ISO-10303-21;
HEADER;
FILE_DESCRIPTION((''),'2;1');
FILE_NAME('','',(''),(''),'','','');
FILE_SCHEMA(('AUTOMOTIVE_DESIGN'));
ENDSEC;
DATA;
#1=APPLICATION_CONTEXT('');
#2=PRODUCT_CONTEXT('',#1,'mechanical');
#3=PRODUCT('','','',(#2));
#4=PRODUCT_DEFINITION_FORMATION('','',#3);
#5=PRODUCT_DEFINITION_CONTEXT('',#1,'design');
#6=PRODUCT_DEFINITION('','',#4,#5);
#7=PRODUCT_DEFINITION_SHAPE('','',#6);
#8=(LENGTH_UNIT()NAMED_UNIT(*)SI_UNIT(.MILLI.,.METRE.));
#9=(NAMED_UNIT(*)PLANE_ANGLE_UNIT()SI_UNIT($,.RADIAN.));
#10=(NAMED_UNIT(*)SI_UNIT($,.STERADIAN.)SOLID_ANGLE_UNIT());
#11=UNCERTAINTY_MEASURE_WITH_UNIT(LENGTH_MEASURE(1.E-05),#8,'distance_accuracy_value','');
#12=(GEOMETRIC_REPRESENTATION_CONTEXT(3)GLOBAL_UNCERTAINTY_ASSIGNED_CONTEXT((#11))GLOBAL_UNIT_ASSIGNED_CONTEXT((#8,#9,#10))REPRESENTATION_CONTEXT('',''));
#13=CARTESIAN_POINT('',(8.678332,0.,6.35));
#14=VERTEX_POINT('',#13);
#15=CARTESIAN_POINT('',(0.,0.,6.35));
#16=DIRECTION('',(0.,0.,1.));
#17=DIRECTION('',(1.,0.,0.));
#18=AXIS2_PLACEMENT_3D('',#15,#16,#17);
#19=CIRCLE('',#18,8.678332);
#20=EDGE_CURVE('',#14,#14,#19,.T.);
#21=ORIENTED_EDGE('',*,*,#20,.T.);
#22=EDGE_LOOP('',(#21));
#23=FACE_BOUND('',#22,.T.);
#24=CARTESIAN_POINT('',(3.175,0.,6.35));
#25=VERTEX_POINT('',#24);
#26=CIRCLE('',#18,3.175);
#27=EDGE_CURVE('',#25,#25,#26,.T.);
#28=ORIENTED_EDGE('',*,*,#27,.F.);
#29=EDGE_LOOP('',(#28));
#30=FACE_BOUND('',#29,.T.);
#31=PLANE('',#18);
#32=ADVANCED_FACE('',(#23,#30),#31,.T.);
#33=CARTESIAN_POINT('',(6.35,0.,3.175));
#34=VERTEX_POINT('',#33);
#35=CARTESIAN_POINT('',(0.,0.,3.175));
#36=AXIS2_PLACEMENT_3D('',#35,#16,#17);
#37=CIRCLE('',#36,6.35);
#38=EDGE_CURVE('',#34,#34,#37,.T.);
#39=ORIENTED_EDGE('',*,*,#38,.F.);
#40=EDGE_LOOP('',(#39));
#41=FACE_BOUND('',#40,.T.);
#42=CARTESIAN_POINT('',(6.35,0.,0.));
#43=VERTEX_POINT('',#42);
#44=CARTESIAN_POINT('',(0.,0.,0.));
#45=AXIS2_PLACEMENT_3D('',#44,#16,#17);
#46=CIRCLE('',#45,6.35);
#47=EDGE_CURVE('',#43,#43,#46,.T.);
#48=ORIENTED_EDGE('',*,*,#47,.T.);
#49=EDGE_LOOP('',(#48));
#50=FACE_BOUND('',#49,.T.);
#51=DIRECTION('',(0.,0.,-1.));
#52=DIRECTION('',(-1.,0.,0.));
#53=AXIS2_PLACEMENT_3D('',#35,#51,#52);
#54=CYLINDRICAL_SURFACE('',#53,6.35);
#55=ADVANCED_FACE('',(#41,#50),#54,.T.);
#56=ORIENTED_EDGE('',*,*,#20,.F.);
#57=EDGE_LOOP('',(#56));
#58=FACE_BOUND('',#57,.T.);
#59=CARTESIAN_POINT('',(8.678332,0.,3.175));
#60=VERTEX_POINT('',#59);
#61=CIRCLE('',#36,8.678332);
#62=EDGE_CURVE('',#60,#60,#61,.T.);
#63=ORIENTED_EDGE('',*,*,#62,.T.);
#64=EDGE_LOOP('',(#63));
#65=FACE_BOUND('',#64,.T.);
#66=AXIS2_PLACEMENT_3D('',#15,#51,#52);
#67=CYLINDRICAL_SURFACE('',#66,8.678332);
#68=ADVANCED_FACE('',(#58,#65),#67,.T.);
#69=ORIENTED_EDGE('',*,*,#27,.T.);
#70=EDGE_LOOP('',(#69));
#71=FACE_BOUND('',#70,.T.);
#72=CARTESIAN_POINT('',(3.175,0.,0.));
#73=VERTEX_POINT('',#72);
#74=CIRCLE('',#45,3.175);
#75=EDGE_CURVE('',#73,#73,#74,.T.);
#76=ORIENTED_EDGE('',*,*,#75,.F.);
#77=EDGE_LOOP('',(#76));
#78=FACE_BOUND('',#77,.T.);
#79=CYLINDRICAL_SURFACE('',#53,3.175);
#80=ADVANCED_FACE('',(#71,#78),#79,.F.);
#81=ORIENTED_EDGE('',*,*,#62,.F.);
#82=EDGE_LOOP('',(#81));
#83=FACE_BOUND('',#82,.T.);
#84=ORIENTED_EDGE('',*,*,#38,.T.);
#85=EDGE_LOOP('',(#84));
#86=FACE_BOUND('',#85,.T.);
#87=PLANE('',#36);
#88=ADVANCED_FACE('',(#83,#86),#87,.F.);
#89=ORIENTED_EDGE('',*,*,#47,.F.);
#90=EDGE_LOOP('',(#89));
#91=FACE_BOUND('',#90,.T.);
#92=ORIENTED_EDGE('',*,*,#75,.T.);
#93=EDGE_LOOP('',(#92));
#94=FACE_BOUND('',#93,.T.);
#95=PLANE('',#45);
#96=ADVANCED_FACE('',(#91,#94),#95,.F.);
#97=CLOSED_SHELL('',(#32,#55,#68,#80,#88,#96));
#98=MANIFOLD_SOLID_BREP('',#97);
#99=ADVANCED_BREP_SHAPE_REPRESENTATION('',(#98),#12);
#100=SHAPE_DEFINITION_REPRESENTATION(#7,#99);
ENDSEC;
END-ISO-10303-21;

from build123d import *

# Parameters (mm, degrees)
SKETCH1_R           = 6.35
SKETCH1_R_2         = 3.175
BOSS_EXTRUDE1_DEPTH = 3.175
SKETCH2_R           = 8.678331539
SKETCH2_R_2         = 3.175
BOSS_EXTRUDE2_DEPTH = 3.175


with BuildPart() as part:
    # Sketch1 → Boss-Extrude1 (new body)
    with BuildSketch(Plane.XY):
        Circle(SKETCH1_R)
        Circle(SKETCH1_R_2, mode=Mode.SUBTRACT)
    extrude(amount=BOSS_EXTRUDE1_DEPTH)

    # Sketch2 → Boss-Extrude2 (add)
    with BuildSketch(Plane.XY.offset(3.175)):
        Circle(SKETCH2_R)
        Circle(SKETCH2_R_2, mode=Mode.SUBTRACT)
    extrude(amount=BOSS_EXTRUDE2_DEPTH)


solid = part.part
